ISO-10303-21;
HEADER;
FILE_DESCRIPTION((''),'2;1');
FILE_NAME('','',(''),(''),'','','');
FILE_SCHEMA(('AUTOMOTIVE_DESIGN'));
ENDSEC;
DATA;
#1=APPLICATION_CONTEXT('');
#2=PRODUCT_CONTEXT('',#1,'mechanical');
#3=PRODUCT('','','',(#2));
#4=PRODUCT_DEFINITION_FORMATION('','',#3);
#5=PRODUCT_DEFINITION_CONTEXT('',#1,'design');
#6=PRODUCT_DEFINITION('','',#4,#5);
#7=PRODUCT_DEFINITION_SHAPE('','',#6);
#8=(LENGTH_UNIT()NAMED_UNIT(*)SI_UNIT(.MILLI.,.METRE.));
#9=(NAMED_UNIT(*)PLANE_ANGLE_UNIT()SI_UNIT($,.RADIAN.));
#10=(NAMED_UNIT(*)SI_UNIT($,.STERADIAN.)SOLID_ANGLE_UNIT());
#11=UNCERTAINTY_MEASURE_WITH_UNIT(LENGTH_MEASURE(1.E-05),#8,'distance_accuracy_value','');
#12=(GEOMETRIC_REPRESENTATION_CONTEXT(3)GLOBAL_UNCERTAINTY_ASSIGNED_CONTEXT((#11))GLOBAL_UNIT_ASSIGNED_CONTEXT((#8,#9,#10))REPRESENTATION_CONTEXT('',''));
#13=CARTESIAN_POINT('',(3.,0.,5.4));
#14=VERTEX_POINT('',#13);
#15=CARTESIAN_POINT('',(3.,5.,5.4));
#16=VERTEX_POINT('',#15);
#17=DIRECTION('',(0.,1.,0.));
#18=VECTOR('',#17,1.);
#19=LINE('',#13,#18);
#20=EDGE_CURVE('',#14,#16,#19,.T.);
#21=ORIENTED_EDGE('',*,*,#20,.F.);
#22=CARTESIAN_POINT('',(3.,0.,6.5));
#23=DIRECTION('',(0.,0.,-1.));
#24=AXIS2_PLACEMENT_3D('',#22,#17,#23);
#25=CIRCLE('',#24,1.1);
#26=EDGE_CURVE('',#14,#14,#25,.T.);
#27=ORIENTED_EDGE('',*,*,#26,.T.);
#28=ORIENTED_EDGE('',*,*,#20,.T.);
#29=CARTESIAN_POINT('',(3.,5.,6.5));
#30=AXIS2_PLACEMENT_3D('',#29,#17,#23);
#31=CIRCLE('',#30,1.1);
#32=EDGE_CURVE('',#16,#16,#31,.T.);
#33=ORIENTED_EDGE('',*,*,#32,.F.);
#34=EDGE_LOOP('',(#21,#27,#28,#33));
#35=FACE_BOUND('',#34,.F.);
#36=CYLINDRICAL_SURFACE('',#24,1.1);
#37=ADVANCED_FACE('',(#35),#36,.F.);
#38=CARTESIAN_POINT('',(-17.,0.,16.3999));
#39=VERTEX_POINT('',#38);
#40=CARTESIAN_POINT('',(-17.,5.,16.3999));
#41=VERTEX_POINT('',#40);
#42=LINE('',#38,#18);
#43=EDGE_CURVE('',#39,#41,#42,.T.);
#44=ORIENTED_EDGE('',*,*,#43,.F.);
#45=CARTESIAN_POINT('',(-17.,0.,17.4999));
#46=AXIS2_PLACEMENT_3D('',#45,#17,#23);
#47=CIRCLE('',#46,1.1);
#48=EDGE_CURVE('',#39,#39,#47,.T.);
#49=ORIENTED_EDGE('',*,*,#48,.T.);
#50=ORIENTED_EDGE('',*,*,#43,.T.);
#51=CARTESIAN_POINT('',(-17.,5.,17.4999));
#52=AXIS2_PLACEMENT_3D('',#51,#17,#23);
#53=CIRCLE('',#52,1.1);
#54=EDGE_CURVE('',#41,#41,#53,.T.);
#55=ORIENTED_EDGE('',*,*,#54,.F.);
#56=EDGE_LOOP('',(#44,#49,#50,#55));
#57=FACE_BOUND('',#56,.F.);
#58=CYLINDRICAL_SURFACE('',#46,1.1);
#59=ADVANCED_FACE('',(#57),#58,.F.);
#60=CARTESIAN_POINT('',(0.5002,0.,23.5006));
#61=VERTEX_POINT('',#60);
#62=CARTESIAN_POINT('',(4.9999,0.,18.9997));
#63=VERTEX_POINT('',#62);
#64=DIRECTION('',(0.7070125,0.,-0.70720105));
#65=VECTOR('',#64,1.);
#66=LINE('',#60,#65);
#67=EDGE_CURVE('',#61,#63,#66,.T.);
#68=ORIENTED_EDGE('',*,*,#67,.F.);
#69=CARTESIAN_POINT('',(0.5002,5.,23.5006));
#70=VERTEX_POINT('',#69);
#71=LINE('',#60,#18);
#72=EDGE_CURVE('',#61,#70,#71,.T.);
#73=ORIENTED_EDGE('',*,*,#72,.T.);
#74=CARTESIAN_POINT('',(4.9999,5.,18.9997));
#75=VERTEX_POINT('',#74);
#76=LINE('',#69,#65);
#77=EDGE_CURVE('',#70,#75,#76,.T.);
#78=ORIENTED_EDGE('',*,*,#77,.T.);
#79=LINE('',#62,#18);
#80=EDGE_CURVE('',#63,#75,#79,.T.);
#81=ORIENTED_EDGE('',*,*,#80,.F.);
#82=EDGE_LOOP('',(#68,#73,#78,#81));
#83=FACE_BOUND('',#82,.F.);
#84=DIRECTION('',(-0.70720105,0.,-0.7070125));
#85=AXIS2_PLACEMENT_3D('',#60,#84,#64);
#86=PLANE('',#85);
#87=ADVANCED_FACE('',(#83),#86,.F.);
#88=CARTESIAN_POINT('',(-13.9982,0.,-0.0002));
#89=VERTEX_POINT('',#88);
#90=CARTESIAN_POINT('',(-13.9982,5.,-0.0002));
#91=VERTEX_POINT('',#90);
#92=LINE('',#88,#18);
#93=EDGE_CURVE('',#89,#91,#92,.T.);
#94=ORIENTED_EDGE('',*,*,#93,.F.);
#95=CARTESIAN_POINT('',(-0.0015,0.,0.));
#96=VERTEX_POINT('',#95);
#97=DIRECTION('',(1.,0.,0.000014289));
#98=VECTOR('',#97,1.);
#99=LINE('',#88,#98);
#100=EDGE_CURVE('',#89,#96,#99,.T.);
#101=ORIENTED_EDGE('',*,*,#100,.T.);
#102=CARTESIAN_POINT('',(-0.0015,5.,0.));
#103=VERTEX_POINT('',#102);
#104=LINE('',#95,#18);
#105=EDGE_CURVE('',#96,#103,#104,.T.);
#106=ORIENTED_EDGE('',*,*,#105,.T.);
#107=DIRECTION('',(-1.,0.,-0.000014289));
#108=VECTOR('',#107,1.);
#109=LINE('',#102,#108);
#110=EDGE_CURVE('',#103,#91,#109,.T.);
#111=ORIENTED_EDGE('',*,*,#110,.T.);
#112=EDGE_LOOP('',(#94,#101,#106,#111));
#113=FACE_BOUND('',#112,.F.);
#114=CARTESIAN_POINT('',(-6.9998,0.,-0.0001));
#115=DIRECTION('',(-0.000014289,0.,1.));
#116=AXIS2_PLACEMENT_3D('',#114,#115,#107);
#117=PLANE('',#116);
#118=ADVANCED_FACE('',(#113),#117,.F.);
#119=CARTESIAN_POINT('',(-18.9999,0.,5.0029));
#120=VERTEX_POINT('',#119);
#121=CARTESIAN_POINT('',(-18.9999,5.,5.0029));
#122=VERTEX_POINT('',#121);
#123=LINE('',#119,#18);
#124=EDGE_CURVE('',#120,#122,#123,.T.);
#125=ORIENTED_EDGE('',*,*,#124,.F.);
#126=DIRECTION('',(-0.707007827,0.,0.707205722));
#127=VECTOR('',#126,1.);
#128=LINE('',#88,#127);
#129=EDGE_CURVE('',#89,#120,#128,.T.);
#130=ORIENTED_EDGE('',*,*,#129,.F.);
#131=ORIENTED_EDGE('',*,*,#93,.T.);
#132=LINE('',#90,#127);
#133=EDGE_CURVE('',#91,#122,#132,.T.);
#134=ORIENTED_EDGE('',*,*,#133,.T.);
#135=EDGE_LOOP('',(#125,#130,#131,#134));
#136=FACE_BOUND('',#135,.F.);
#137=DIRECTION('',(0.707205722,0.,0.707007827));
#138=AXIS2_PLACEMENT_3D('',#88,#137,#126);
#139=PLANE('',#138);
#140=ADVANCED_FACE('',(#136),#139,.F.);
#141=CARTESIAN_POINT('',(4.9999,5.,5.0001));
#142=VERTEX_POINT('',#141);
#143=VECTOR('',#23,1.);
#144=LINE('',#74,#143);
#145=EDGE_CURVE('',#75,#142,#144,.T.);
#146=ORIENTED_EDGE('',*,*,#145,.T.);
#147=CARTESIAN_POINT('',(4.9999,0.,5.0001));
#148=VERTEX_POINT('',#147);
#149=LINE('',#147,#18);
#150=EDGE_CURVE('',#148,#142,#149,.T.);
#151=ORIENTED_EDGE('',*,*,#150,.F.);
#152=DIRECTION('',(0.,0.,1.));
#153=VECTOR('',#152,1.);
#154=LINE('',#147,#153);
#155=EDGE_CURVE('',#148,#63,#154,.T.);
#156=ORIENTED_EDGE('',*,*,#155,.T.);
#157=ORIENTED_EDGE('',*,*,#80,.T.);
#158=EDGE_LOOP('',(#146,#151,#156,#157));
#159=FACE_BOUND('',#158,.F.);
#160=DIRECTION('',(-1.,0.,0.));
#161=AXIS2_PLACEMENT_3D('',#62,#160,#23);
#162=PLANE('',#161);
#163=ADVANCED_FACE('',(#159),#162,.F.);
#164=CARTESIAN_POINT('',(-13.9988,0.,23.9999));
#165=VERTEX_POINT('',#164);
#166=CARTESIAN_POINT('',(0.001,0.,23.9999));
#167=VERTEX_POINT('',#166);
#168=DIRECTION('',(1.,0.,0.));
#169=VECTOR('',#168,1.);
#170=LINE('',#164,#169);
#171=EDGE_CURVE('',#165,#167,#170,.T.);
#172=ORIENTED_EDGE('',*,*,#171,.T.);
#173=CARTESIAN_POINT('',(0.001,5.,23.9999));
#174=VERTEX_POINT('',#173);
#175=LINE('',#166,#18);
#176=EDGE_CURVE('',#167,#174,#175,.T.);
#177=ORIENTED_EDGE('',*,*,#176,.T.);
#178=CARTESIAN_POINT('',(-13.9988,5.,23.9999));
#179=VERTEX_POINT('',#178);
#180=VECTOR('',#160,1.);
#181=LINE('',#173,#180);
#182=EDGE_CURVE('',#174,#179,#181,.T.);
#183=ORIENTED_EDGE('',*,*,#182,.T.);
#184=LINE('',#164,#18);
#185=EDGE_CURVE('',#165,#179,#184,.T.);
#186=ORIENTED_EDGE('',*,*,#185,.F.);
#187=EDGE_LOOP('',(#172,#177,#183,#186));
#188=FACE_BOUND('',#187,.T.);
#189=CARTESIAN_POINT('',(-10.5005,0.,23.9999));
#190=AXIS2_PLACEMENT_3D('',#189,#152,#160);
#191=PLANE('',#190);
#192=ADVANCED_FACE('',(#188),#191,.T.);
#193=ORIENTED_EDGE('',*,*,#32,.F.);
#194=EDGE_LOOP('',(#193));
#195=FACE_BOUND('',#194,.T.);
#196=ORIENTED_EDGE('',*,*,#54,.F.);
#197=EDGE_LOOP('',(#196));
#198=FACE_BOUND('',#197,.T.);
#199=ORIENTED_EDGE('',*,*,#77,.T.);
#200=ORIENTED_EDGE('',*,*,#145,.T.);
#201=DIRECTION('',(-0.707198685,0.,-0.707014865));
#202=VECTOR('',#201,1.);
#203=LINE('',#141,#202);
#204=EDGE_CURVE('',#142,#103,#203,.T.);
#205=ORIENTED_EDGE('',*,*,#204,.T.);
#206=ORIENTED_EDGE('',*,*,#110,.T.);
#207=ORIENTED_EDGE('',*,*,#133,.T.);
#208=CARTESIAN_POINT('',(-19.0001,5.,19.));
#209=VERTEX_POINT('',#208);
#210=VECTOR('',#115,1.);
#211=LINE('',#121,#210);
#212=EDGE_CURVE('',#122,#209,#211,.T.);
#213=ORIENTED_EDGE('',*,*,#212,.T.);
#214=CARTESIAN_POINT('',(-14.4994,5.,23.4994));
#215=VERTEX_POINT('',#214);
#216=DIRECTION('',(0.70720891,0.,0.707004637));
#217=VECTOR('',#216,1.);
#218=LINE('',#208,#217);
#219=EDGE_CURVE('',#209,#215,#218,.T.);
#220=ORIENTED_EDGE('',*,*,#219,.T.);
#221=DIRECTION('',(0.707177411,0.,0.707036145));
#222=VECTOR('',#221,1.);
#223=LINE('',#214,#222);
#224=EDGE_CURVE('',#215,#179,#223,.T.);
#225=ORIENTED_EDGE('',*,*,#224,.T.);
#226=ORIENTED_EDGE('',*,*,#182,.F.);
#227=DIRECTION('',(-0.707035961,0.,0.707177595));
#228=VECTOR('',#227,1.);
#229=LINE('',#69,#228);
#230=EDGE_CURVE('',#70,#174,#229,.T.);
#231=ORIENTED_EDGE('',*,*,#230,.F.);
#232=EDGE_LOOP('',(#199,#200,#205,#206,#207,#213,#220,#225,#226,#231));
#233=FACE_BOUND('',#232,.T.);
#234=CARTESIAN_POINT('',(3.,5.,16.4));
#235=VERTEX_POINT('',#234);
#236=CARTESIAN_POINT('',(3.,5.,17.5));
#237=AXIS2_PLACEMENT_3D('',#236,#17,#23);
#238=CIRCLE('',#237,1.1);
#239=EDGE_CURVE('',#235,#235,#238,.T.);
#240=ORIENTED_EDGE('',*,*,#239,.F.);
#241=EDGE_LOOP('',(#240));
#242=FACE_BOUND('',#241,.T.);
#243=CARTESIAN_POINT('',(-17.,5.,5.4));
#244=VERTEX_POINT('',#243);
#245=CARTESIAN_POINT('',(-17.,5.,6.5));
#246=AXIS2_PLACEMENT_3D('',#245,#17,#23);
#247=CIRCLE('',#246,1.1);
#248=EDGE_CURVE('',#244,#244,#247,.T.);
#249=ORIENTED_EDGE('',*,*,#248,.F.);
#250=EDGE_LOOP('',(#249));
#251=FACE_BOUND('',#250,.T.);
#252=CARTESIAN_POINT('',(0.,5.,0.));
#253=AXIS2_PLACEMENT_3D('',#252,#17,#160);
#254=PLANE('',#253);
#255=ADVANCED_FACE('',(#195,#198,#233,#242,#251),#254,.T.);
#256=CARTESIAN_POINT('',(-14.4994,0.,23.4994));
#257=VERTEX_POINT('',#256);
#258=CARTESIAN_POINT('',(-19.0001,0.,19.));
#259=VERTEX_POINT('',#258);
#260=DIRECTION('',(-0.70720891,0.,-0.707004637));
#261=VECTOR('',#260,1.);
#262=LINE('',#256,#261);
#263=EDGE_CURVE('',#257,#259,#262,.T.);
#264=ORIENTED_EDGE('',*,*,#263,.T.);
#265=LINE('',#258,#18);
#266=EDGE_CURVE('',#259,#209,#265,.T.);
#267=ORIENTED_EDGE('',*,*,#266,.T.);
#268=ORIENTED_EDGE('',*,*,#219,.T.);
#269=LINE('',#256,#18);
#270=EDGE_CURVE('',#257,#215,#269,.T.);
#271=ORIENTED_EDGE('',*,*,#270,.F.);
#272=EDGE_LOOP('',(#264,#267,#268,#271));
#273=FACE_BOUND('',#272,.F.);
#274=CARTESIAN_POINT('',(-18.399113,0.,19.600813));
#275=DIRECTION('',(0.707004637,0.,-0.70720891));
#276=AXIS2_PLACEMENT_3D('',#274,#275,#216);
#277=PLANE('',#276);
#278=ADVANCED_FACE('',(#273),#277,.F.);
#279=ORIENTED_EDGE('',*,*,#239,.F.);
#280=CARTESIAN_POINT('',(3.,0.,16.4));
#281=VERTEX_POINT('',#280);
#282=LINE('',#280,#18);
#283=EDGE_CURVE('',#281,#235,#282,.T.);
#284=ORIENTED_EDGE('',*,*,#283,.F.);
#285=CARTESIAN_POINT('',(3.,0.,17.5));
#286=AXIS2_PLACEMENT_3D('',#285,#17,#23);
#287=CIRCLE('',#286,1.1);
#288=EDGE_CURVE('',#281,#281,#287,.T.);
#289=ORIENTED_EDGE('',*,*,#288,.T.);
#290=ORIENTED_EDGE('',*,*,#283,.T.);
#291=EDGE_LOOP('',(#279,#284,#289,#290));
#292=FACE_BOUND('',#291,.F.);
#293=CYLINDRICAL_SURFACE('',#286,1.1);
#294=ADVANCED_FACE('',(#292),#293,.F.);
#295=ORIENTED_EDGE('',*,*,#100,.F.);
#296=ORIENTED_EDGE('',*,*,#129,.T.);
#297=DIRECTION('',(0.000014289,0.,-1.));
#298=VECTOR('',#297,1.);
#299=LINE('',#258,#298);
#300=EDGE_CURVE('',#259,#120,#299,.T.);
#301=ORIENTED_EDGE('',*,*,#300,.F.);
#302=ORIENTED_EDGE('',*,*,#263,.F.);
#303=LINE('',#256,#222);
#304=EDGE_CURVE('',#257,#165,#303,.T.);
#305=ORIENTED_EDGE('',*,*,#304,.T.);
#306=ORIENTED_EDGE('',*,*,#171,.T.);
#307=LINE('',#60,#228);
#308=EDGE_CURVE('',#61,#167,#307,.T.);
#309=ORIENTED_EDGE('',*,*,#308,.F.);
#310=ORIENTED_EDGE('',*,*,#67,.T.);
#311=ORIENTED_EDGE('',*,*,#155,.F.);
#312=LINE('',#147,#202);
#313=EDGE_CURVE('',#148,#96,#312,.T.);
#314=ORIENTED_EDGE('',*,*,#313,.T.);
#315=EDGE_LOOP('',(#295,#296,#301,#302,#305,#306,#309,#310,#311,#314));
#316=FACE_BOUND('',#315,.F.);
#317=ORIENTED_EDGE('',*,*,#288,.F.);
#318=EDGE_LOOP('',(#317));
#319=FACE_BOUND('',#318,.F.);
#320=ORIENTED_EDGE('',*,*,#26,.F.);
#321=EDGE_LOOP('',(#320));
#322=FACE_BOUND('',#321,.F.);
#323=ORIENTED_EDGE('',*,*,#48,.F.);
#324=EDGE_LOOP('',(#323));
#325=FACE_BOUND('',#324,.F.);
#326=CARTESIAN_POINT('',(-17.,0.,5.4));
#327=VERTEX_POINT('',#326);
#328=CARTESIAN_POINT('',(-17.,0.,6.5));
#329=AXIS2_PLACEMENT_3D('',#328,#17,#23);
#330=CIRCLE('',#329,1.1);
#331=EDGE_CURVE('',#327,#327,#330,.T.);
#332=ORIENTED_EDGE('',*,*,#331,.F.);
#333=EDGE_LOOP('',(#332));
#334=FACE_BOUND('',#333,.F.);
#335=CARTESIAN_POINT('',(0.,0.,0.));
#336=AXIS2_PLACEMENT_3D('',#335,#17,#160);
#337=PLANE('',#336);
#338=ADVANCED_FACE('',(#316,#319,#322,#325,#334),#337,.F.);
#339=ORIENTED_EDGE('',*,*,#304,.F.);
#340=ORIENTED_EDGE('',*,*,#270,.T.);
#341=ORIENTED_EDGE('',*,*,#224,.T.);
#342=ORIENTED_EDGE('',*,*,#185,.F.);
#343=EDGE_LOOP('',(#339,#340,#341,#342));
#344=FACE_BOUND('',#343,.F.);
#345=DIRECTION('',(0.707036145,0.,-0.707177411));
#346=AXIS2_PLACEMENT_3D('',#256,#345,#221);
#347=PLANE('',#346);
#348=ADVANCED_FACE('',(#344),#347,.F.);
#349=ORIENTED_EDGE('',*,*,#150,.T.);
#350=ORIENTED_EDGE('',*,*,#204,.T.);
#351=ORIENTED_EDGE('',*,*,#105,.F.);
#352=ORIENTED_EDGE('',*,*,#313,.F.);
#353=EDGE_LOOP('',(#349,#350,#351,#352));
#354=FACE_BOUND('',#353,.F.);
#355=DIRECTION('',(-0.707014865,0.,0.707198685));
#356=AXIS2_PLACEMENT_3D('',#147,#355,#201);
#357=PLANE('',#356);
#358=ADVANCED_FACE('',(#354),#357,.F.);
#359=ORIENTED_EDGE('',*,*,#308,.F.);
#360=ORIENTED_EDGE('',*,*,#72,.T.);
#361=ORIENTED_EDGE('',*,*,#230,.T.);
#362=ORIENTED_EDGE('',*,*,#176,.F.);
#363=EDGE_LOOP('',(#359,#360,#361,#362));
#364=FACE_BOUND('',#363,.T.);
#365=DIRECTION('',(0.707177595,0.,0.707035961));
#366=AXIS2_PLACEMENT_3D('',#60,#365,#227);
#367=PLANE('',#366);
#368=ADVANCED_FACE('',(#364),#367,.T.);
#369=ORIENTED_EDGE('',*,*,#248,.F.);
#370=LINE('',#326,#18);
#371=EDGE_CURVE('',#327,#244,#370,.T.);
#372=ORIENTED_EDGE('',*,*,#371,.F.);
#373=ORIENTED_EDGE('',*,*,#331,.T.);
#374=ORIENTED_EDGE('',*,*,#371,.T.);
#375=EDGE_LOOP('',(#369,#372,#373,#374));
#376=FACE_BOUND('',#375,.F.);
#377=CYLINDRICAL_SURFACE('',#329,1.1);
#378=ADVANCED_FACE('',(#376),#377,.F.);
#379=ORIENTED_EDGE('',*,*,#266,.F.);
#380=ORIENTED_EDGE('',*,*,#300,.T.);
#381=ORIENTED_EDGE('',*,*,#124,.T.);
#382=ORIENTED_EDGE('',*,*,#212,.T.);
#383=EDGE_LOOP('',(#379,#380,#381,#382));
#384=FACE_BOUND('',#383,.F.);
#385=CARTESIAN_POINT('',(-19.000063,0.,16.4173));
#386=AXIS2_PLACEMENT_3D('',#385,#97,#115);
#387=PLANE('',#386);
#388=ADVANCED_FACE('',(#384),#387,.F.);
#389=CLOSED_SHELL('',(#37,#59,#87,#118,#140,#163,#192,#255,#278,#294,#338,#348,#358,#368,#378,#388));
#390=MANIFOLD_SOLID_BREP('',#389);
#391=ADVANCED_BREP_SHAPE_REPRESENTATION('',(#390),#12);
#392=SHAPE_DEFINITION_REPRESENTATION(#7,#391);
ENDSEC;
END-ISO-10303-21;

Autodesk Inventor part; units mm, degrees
ref_plane "YZ Plane" through (0, 0, 0) normal (1, 0, 0) x (0, 1, 0)
ref_plane "XZ Plane" through (0, 0, 0) normal (0, 1, 0) x (-1, 0, 0)
ref_plane "XY Plane" through (0, 0, 0) normal (0, 0, 1) x (1, 0, 0)
sketch "Sketch1" plane through (0, 0, 0) normal (0, 1, 0) x (-1, 0, 0)
  line L0 (10.5005, 23.9999) -> (3.4998, 23.9999)
  line L1 (3.4998, 23.9999) -> (10.5005, 23.9999)
  line L2 (-4.9999, 18.9997) -> (-4.9999, 5.0001)
  line L3 (-0.5002, 23.5006) -> (-4.9999, 18.9997)
  line L4 (-4.9999, 18.9997) -> (-4.9999, 5.0001)
  line L5 (0.0015, 0) -> (13.9982, -0.0002)
  line L6 (-4.9999, 5.0001) -> (0.0015, 0)
  line L7 (0.0015, 0) -> (13.9982, -0.0002)
  line L8 (13.9982, -0.0002) -> (18.9999, 5.0029)
  line L9 (18.9999, 5.0029) -> (19.0001, 19)
  line L10 (18.9999, 5.0029) -> (19.0001, 19)
  line L11 (19.0001, 19) -> (14.4994, 23.4994)
  circle A0 centre (17, 17.4999) radius 0.8
  circle A1 centre (17, 17.4999) radius 0.8
  circle A2 centre (17, 6.5) radius 0.8
  circle A3 centre (17, 6.5) radius 0.8
  circle A4 centre (-3, 17.5) radius 0.8
  circle A5 centre (-3, 17.5) radius 0.8
  circle A6 centre (-3, 6.5) radius 0.8
  circle A7 centre (-3, 17.5) radius 0.8
  line L12 (19.0001, 19) -> (19.0001, 16.4173)
  line L13 (19.0001, 19) -> (19, 15.3998)
  line L14 (19.0001, 19) -> (19, 15.3998)
  line L15 (19.0001, 19) -> (18.3991, 19.6008)
  line L16 (19.0001, 19) -> (18.3998, 19.6001)
  line L17 (19.0001, 19) -> (19, 11.9999)
  line L18 (19, 11.9999) -> (-4.9999, 11.9999)
  line L19 (19, 11.9999) -> (7, 11.9999)
  line L20 (6.9998, -0.0001) -> (7.0002, 23.9999)
  line L21 (-4.8205, 19.6001) -> (-4.8205, 19.6005)
  line L22 (-2.9994, 19.6006) -> (-2.9994, 19.6001)
  line L23 (10.5005, 23.9999) -> (13.9988, 23.9999)
  line L24 (14.4994, 23.4994) -> (13.9988, 23.9999)
  line L25 (3.4998, 23.9999) -> (-0.001, 23.9999)
  line L26 (-0.5002, 23.5006) -> (-0.001, 23.9999)
  point P0 (0, 0)
  point P1 (0, 0)
  point P2 (10, 14.9997)
  point P3 (4.0003, 14.9997)
  point P4 (4.0003, 8.0001)
  point P5 (7, 14.9997)
  point P6 (7, 14.9997)
  point P7 (7, 14.9997)
  point P8 (7, 11.9999)
  point P9 (-4.9999, 15.4002)
  point P10 (-4.9999, 8.6003)
  point P11 (-4.3996, 4.4)
  point P12 (18.3968, 4.3997)
  point P13 (18.9999, 8.6)
  point P14 (19, 15.3998)
  point P15 (18.9999, 8.6)
  dimension "d2" = 1.6
extrude "Extrusion1" add sketch "Sketch1" along normal blind 5
hole "Hole1" at (-17, 0, 6.5) at (-17, 0, 17.4999) at (3, 0, 17.5) at (3, 0, 6.5) direction (0, 1, 0) diameter 2.2 end through all clearance for "Countersunk Flat Head Screw ISO 2009/7046" size "M2" standard "ISO"
properties part number "marcor_isolator"
